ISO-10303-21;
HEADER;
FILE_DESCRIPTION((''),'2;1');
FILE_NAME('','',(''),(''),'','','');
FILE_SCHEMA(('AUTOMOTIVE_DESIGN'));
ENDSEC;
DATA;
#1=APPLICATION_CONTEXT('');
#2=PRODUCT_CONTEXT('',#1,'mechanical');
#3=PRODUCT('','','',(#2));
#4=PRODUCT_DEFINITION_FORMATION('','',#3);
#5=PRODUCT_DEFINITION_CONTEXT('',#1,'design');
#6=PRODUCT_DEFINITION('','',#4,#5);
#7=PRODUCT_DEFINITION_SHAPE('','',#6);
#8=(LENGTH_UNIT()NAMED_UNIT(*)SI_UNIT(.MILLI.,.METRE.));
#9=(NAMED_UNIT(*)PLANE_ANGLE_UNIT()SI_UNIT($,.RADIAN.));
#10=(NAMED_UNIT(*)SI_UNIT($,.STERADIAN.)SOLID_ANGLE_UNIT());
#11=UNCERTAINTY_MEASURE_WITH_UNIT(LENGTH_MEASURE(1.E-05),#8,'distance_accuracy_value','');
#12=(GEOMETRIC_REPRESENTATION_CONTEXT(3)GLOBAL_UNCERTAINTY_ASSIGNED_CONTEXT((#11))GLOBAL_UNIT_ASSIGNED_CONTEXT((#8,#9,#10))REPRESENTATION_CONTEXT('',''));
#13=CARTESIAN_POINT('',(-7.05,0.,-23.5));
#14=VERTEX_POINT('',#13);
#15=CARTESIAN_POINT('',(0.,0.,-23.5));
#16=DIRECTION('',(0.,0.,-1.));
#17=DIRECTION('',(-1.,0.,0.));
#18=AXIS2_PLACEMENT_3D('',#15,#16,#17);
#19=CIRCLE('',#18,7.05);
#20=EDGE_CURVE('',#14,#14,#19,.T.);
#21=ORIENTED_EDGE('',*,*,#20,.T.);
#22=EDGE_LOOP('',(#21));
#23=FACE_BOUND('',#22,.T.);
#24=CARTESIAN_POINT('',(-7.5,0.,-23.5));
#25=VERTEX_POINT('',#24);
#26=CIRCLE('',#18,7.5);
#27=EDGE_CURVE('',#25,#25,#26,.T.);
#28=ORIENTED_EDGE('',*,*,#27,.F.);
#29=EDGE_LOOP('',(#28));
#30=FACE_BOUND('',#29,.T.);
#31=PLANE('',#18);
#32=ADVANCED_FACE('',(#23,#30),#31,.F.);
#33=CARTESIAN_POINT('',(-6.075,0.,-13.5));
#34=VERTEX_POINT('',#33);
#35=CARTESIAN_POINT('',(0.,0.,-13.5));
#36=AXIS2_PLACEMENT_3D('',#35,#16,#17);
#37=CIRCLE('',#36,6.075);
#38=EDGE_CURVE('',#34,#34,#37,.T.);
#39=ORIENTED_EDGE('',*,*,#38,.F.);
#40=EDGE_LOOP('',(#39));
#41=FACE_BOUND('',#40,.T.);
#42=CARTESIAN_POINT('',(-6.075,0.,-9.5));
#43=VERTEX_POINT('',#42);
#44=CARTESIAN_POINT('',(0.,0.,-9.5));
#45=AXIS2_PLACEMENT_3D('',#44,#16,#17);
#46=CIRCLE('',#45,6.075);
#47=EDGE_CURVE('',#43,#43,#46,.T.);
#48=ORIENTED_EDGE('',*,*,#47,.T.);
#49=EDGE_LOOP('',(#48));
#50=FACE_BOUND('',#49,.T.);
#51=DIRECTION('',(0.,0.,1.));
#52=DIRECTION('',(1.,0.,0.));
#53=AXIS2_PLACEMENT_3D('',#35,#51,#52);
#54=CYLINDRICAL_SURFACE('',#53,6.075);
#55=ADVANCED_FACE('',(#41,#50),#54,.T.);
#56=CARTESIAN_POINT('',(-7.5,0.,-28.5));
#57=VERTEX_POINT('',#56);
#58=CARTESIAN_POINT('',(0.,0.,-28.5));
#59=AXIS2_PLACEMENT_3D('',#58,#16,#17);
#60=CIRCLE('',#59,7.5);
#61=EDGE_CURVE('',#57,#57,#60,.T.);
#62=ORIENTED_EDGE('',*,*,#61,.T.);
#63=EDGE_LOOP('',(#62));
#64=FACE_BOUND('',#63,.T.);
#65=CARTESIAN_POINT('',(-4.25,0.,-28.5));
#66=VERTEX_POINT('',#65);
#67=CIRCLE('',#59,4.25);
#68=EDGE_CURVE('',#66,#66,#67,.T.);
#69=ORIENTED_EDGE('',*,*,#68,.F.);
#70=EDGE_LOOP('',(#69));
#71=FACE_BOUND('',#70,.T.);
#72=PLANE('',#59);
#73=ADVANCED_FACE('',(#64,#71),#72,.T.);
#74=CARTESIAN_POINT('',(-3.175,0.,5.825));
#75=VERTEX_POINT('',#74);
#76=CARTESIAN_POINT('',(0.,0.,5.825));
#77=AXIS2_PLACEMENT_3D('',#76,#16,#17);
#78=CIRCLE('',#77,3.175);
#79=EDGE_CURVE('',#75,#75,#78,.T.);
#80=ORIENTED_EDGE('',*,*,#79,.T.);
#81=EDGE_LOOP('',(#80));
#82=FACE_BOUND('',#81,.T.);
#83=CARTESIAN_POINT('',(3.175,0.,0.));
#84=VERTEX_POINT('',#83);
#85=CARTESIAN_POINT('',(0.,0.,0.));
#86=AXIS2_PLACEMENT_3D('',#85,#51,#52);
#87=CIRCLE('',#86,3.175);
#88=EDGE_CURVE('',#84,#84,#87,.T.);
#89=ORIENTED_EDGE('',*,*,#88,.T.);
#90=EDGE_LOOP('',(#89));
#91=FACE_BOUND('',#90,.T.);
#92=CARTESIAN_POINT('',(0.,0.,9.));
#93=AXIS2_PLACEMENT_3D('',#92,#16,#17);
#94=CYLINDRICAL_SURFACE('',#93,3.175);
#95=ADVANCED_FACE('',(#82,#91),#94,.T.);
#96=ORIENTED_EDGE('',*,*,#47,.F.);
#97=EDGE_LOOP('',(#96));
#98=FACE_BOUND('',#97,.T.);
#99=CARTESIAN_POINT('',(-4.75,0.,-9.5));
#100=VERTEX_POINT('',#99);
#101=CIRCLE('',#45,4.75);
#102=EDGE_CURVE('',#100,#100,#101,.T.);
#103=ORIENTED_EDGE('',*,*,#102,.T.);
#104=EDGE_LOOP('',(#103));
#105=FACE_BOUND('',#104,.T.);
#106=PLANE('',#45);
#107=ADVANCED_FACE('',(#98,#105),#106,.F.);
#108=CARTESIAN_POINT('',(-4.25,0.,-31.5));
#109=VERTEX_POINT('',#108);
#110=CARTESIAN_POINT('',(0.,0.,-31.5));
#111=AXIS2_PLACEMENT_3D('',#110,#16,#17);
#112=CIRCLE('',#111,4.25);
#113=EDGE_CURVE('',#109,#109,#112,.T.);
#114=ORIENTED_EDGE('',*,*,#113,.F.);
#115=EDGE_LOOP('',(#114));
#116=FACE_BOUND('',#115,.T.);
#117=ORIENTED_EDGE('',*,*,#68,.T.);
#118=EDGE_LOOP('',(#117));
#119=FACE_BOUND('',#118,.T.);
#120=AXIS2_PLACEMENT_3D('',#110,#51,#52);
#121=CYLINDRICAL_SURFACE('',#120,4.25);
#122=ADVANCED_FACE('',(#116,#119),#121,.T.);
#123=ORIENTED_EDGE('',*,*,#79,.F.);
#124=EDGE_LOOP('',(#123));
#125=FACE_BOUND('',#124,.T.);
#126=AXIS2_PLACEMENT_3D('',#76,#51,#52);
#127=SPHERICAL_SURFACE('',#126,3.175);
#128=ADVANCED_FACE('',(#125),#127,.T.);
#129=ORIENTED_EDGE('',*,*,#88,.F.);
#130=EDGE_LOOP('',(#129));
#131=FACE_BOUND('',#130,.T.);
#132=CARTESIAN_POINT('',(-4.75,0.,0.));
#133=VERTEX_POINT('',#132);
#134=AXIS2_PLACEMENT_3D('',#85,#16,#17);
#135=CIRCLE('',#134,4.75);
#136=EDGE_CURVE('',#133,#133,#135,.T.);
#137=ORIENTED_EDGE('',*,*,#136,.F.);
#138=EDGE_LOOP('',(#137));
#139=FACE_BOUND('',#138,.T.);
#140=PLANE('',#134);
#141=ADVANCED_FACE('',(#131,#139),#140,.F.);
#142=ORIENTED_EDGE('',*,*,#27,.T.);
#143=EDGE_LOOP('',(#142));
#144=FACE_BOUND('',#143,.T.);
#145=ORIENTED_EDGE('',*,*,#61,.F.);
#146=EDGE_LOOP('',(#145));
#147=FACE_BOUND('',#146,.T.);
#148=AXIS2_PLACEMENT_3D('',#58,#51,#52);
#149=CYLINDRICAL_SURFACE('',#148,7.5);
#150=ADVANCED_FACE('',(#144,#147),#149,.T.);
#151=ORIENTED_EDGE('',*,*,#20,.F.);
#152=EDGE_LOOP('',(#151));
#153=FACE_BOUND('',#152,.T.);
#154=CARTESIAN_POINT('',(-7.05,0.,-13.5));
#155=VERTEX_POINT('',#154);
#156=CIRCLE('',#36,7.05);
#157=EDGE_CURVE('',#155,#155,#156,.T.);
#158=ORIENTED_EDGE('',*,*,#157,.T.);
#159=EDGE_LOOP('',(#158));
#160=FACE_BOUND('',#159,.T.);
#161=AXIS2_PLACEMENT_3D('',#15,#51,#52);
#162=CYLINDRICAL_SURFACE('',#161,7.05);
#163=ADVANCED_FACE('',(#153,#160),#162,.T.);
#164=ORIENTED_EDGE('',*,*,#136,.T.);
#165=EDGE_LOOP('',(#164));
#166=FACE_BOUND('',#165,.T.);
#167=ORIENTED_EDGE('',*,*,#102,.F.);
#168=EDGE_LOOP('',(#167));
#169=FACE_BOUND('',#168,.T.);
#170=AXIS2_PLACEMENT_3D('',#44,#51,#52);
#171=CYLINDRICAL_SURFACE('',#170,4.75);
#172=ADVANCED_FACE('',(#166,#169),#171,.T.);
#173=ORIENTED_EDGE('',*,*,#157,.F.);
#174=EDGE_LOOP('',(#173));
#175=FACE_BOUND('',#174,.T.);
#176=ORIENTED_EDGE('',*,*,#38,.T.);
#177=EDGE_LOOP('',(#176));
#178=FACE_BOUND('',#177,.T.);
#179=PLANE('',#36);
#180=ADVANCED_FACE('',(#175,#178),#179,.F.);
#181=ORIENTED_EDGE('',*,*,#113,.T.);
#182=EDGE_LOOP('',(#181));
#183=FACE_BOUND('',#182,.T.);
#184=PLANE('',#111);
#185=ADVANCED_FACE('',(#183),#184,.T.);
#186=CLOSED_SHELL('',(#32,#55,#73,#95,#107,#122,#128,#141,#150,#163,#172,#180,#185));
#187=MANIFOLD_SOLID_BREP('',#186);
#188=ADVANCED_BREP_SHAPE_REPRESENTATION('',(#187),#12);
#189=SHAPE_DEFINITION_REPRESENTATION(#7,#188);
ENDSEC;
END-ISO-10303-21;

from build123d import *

# Parameters (mm, degrees)
SKETCH1_R           = 3.175
BOSS_EXTRUDE1_DEPTH = 9
SKETCH2_R           = 4.75
BOSS_EXTRUDE2_DEPTH = 9.5
SKETCH3_R           = 6.075
BOSS_EXTRUDE3_DEPTH = 4
SKETCH4_R           = 7.05
BOSS_EXTRUDE4_DEPTH = 10
SKETCH5_R           = 7.5
BOSS_EXTRUDE5_DEPTH = 5
SKETCH6_R           = 4.25
BOSS_EXTRUDE6_DEPTH = 3
FILLET1_R           = 3.175


with BuildPart() as part:
    # Sketch1 → Boss-Extrude1 (new body)
    with BuildSketch(Plane.XY):
        Circle(SKETCH1_R)
    extrude(amount=BOSS_EXTRUDE1_DEPTH)

    # Sketch2 → Boss-Extrude2 (add)
    with BuildSketch(Plane(origin=(0, 0, 0), x_dir=(-1, 0, 0), z_dir=(0, 0, -1))):
        Circle(SKETCH2_R)
    extrude(amount=BOSS_EXTRUDE2_DEPTH)

    # Sketch3 → Boss-Extrude3 (add)
    with BuildSketch(Plane(origin=(0, 0, -9.5), x_dir=(-1, 0, 0), z_dir=(0, 0, -1))):
        Circle(SKETCH3_R)
    extrude(amount=BOSS_EXTRUDE3_DEPTH)

    # Sketch4 → Boss-Extrude4 (add)
    with BuildSketch(Plane(origin=(0, 0, -13.5), x_dir=(-1, 0, 0), z_dir=(0, 0, -1))):
        Circle(SKETCH4_R)
    extrude(amount=BOSS_EXTRUDE4_DEPTH)

    # Sketch5 → Boss-Extrude5 (add)
    with BuildSketch(Plane(origin=(0, 0, -23.5), x_dir=(-1, 0, 0), z_dir=(0, 0, -1))):
        Circle(SKETCH5_R)
    extrude(amount=BOSS_EXTRUDE5_DEPTH)

    # Sketch6 → Boss-Extrude6 (add)
    with BuildSketch(Plane(origin=(0, 0, -28.5), x_dir=(-1, 0, 0), z_dir=(0, 0, -1))):
        Circle(SKETCH6_R)
    extrude(amount=BOSS_EXTRUDE6_DEPTH)

    # Fillet1
    fillet1_edges = [part.edges().sort_by_distance(p)[0] for p in [
        (-3.175, 0, 9),
    ]]
    fillet(fillet1_edges, radius=FILLET1_R)


solid = part.part
